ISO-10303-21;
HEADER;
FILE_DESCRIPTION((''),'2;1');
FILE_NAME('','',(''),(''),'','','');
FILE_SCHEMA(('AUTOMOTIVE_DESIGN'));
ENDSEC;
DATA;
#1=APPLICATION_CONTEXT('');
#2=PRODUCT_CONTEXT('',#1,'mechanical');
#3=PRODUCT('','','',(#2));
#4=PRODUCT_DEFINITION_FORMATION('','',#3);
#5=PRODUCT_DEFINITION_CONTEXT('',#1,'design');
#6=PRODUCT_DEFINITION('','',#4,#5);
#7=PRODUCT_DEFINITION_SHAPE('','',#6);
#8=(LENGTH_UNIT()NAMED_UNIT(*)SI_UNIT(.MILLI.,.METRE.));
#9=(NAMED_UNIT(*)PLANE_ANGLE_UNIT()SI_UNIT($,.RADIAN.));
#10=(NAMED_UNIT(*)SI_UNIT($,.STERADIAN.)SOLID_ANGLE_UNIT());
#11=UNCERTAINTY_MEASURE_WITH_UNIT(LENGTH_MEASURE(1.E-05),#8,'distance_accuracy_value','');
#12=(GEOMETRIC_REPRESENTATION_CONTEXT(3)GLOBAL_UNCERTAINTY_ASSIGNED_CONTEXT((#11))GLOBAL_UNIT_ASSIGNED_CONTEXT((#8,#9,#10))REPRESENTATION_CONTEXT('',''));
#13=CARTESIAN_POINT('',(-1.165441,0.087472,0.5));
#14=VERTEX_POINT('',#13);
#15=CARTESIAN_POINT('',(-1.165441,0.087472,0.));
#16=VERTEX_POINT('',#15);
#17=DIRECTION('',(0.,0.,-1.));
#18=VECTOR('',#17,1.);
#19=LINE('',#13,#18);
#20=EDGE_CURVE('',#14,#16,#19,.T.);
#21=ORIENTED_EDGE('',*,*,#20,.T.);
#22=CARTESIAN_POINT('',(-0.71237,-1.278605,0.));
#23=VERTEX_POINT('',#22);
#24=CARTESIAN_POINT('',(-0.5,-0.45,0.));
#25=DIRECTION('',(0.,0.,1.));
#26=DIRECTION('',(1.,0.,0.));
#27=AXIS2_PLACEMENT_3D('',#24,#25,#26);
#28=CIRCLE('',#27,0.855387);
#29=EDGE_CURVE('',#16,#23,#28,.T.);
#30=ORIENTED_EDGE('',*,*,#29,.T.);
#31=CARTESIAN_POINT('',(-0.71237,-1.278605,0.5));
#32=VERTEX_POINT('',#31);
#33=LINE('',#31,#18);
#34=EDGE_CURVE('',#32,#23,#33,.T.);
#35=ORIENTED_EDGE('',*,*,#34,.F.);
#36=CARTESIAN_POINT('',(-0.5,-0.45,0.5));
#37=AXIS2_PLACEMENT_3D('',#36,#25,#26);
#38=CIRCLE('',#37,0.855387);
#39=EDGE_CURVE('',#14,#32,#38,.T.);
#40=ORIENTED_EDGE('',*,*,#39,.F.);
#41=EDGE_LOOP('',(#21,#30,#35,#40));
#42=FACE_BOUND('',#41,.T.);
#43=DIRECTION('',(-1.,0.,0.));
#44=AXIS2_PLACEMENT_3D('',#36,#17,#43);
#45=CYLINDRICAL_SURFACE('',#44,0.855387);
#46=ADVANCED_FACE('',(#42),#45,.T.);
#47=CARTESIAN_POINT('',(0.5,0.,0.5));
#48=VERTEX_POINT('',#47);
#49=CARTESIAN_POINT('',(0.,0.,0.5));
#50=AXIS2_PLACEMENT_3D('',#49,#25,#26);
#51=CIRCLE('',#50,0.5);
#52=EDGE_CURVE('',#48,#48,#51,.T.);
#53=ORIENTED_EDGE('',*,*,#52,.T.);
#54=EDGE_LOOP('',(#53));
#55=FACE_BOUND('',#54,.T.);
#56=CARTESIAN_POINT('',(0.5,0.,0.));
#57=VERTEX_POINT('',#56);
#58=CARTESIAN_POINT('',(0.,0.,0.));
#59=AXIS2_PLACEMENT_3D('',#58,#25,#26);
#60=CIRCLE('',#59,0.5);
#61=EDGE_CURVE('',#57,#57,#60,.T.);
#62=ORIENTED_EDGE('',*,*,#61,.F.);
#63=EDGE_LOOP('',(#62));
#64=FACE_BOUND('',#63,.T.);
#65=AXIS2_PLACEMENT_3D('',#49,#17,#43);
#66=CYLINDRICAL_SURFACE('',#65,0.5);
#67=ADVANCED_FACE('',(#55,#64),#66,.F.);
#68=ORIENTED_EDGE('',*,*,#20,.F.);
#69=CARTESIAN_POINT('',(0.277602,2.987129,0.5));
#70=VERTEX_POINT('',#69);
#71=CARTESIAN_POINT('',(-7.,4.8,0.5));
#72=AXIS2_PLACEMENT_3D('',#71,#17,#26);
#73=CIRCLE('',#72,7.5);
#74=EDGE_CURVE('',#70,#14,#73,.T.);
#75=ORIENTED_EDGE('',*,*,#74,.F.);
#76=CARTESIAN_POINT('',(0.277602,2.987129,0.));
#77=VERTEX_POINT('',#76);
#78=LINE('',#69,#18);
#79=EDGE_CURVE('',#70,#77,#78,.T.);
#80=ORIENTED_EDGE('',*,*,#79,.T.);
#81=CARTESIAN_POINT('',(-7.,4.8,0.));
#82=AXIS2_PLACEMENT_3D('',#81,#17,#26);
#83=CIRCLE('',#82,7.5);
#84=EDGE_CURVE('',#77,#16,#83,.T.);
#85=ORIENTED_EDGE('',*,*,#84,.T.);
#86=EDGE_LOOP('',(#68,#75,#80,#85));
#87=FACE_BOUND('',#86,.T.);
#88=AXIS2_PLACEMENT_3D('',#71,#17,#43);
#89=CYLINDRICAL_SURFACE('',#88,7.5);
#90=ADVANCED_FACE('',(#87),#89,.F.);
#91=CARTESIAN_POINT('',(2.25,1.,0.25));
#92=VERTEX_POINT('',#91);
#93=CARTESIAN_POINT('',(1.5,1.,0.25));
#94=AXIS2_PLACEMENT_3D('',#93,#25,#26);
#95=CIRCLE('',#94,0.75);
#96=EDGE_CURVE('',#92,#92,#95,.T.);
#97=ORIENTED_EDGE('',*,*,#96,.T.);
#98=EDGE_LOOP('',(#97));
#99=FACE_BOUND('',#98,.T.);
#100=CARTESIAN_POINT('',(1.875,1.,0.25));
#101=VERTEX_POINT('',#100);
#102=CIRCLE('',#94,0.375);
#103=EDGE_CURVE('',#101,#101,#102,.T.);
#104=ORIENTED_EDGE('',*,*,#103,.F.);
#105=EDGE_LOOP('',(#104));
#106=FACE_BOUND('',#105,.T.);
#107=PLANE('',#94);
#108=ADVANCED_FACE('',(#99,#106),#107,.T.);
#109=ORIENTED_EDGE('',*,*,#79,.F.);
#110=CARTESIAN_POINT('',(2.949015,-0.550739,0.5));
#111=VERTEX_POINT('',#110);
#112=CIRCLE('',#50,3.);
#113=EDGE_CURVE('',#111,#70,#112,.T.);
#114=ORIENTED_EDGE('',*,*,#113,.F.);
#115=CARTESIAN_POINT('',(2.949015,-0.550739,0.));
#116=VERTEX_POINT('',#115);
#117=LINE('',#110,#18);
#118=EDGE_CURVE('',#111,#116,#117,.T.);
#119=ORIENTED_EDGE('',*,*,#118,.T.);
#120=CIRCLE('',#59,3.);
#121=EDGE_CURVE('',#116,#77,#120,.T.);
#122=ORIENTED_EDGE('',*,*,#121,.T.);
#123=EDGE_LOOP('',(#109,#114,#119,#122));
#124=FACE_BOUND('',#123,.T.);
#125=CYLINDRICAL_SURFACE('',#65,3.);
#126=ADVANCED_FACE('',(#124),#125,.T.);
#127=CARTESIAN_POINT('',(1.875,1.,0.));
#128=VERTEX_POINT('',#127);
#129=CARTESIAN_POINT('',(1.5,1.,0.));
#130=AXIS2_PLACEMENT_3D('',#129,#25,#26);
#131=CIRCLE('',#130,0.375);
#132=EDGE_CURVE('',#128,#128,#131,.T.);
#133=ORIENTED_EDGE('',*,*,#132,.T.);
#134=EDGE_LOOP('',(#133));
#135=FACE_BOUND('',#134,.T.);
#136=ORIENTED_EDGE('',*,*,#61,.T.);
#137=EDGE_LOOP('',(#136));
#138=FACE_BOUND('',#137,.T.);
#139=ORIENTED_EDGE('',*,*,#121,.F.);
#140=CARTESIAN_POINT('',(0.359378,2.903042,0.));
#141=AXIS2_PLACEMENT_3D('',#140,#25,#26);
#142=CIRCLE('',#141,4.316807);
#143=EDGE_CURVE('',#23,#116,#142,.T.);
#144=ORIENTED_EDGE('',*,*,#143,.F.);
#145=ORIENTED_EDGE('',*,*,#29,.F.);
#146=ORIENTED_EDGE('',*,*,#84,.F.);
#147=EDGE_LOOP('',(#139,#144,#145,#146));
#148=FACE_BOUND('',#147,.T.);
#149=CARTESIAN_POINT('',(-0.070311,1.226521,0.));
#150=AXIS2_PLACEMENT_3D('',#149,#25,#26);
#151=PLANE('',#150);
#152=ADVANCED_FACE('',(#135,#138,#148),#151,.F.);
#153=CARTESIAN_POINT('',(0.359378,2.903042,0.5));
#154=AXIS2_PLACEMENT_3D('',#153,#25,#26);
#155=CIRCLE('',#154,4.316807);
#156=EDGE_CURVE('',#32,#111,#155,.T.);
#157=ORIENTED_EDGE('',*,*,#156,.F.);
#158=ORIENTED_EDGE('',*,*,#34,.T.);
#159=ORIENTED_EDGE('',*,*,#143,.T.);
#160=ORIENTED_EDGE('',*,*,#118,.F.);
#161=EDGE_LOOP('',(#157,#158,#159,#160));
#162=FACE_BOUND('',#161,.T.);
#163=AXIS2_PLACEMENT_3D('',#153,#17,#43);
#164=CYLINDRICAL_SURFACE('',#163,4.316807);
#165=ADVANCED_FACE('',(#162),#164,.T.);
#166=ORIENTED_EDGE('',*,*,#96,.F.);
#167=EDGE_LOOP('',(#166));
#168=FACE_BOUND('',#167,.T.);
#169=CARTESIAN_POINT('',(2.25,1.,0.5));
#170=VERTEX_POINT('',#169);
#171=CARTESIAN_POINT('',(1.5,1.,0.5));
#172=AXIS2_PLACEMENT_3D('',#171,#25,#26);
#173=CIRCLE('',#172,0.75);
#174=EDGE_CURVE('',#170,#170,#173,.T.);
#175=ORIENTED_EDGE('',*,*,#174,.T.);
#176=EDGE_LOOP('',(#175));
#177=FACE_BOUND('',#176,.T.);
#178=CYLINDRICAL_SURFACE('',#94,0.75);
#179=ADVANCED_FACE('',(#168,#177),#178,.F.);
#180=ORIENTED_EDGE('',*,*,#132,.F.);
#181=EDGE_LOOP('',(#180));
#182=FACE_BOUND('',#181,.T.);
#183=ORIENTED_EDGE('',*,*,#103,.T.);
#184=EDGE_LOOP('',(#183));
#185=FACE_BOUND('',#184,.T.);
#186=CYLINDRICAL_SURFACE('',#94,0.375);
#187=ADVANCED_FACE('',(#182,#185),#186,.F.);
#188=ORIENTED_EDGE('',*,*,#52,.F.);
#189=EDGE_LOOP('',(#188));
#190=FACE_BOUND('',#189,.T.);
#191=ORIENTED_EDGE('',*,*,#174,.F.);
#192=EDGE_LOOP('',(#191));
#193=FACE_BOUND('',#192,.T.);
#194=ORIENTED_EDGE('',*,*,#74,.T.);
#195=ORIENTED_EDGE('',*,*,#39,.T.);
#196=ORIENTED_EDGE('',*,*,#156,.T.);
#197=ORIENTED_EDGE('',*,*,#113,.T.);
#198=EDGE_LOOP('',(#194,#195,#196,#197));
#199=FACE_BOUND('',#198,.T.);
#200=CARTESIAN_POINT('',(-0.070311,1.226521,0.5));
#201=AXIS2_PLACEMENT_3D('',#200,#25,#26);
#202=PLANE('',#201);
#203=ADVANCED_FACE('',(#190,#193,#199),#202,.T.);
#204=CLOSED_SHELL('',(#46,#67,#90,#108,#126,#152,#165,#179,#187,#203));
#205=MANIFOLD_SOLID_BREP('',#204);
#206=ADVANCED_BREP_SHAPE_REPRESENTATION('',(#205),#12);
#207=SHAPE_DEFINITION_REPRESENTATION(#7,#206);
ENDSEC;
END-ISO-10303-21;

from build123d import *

# Parameters (mm, degrees)
CROQUIS1_R                 = 0.5
SALIENTE_EXTRUIR1_DEPTH    = 0.5
CROQUIS2_R                 = 0.75
CORTAR_EXTRUIR1_DEPTH      = 0.25
TALADRO_ROSCADO_M1X0_251_D = 0.75


with BuildPart() as part:
    # Croquis1 → Saliente-Extruir1 (new body)
    with BuildSketch(Plane.XY):
        with BuildLine():
            ThreePointArc((2.949014501, -0.550739024), (2.394136779, 1.807791217), (0.277602425, 2.987128537))
            ThreePointArc((0.277602425, 2.987128537), (-0.285523417, 1.458472772), (-1.165441148, 0.087471697))
            ThreePointArc((-1.165441148, 0.087471697), (-1.311898812, -0.719273217), (-0.712369976, -1.278605298))
            ThreePointArc((-0.712369976, -1.278605298), (1.201069025, -1.330913059), (2.949014501, -0.550739024))
        make_face()
        Circle(CROQUIS1_R, mode=Mode.SUBTRACT)
    extrude(amount=SALIENTE_EXTRUIR1_DEPTH)

    # Croquis2 → Cortar-Extruir1 (cut)
    with BuildSketch(Plane.XY.offset(0.5)):
        with Locations((1.5, 1)):
            Circle(CROQUIS2_R)
    extrude(amount=-CORTAR_EXTRUIR1_DEPTH, mode=Mode.SUBTRACT)

    # Taladro roscado M1x0.251 (through all)
    with Locations(Plane.XY.offset(0.25)):
        with Locations((1.5, 1)):
            Hole(TALADRO_ROSCADO_M1X0_251_D / 2)


solid = part.part
